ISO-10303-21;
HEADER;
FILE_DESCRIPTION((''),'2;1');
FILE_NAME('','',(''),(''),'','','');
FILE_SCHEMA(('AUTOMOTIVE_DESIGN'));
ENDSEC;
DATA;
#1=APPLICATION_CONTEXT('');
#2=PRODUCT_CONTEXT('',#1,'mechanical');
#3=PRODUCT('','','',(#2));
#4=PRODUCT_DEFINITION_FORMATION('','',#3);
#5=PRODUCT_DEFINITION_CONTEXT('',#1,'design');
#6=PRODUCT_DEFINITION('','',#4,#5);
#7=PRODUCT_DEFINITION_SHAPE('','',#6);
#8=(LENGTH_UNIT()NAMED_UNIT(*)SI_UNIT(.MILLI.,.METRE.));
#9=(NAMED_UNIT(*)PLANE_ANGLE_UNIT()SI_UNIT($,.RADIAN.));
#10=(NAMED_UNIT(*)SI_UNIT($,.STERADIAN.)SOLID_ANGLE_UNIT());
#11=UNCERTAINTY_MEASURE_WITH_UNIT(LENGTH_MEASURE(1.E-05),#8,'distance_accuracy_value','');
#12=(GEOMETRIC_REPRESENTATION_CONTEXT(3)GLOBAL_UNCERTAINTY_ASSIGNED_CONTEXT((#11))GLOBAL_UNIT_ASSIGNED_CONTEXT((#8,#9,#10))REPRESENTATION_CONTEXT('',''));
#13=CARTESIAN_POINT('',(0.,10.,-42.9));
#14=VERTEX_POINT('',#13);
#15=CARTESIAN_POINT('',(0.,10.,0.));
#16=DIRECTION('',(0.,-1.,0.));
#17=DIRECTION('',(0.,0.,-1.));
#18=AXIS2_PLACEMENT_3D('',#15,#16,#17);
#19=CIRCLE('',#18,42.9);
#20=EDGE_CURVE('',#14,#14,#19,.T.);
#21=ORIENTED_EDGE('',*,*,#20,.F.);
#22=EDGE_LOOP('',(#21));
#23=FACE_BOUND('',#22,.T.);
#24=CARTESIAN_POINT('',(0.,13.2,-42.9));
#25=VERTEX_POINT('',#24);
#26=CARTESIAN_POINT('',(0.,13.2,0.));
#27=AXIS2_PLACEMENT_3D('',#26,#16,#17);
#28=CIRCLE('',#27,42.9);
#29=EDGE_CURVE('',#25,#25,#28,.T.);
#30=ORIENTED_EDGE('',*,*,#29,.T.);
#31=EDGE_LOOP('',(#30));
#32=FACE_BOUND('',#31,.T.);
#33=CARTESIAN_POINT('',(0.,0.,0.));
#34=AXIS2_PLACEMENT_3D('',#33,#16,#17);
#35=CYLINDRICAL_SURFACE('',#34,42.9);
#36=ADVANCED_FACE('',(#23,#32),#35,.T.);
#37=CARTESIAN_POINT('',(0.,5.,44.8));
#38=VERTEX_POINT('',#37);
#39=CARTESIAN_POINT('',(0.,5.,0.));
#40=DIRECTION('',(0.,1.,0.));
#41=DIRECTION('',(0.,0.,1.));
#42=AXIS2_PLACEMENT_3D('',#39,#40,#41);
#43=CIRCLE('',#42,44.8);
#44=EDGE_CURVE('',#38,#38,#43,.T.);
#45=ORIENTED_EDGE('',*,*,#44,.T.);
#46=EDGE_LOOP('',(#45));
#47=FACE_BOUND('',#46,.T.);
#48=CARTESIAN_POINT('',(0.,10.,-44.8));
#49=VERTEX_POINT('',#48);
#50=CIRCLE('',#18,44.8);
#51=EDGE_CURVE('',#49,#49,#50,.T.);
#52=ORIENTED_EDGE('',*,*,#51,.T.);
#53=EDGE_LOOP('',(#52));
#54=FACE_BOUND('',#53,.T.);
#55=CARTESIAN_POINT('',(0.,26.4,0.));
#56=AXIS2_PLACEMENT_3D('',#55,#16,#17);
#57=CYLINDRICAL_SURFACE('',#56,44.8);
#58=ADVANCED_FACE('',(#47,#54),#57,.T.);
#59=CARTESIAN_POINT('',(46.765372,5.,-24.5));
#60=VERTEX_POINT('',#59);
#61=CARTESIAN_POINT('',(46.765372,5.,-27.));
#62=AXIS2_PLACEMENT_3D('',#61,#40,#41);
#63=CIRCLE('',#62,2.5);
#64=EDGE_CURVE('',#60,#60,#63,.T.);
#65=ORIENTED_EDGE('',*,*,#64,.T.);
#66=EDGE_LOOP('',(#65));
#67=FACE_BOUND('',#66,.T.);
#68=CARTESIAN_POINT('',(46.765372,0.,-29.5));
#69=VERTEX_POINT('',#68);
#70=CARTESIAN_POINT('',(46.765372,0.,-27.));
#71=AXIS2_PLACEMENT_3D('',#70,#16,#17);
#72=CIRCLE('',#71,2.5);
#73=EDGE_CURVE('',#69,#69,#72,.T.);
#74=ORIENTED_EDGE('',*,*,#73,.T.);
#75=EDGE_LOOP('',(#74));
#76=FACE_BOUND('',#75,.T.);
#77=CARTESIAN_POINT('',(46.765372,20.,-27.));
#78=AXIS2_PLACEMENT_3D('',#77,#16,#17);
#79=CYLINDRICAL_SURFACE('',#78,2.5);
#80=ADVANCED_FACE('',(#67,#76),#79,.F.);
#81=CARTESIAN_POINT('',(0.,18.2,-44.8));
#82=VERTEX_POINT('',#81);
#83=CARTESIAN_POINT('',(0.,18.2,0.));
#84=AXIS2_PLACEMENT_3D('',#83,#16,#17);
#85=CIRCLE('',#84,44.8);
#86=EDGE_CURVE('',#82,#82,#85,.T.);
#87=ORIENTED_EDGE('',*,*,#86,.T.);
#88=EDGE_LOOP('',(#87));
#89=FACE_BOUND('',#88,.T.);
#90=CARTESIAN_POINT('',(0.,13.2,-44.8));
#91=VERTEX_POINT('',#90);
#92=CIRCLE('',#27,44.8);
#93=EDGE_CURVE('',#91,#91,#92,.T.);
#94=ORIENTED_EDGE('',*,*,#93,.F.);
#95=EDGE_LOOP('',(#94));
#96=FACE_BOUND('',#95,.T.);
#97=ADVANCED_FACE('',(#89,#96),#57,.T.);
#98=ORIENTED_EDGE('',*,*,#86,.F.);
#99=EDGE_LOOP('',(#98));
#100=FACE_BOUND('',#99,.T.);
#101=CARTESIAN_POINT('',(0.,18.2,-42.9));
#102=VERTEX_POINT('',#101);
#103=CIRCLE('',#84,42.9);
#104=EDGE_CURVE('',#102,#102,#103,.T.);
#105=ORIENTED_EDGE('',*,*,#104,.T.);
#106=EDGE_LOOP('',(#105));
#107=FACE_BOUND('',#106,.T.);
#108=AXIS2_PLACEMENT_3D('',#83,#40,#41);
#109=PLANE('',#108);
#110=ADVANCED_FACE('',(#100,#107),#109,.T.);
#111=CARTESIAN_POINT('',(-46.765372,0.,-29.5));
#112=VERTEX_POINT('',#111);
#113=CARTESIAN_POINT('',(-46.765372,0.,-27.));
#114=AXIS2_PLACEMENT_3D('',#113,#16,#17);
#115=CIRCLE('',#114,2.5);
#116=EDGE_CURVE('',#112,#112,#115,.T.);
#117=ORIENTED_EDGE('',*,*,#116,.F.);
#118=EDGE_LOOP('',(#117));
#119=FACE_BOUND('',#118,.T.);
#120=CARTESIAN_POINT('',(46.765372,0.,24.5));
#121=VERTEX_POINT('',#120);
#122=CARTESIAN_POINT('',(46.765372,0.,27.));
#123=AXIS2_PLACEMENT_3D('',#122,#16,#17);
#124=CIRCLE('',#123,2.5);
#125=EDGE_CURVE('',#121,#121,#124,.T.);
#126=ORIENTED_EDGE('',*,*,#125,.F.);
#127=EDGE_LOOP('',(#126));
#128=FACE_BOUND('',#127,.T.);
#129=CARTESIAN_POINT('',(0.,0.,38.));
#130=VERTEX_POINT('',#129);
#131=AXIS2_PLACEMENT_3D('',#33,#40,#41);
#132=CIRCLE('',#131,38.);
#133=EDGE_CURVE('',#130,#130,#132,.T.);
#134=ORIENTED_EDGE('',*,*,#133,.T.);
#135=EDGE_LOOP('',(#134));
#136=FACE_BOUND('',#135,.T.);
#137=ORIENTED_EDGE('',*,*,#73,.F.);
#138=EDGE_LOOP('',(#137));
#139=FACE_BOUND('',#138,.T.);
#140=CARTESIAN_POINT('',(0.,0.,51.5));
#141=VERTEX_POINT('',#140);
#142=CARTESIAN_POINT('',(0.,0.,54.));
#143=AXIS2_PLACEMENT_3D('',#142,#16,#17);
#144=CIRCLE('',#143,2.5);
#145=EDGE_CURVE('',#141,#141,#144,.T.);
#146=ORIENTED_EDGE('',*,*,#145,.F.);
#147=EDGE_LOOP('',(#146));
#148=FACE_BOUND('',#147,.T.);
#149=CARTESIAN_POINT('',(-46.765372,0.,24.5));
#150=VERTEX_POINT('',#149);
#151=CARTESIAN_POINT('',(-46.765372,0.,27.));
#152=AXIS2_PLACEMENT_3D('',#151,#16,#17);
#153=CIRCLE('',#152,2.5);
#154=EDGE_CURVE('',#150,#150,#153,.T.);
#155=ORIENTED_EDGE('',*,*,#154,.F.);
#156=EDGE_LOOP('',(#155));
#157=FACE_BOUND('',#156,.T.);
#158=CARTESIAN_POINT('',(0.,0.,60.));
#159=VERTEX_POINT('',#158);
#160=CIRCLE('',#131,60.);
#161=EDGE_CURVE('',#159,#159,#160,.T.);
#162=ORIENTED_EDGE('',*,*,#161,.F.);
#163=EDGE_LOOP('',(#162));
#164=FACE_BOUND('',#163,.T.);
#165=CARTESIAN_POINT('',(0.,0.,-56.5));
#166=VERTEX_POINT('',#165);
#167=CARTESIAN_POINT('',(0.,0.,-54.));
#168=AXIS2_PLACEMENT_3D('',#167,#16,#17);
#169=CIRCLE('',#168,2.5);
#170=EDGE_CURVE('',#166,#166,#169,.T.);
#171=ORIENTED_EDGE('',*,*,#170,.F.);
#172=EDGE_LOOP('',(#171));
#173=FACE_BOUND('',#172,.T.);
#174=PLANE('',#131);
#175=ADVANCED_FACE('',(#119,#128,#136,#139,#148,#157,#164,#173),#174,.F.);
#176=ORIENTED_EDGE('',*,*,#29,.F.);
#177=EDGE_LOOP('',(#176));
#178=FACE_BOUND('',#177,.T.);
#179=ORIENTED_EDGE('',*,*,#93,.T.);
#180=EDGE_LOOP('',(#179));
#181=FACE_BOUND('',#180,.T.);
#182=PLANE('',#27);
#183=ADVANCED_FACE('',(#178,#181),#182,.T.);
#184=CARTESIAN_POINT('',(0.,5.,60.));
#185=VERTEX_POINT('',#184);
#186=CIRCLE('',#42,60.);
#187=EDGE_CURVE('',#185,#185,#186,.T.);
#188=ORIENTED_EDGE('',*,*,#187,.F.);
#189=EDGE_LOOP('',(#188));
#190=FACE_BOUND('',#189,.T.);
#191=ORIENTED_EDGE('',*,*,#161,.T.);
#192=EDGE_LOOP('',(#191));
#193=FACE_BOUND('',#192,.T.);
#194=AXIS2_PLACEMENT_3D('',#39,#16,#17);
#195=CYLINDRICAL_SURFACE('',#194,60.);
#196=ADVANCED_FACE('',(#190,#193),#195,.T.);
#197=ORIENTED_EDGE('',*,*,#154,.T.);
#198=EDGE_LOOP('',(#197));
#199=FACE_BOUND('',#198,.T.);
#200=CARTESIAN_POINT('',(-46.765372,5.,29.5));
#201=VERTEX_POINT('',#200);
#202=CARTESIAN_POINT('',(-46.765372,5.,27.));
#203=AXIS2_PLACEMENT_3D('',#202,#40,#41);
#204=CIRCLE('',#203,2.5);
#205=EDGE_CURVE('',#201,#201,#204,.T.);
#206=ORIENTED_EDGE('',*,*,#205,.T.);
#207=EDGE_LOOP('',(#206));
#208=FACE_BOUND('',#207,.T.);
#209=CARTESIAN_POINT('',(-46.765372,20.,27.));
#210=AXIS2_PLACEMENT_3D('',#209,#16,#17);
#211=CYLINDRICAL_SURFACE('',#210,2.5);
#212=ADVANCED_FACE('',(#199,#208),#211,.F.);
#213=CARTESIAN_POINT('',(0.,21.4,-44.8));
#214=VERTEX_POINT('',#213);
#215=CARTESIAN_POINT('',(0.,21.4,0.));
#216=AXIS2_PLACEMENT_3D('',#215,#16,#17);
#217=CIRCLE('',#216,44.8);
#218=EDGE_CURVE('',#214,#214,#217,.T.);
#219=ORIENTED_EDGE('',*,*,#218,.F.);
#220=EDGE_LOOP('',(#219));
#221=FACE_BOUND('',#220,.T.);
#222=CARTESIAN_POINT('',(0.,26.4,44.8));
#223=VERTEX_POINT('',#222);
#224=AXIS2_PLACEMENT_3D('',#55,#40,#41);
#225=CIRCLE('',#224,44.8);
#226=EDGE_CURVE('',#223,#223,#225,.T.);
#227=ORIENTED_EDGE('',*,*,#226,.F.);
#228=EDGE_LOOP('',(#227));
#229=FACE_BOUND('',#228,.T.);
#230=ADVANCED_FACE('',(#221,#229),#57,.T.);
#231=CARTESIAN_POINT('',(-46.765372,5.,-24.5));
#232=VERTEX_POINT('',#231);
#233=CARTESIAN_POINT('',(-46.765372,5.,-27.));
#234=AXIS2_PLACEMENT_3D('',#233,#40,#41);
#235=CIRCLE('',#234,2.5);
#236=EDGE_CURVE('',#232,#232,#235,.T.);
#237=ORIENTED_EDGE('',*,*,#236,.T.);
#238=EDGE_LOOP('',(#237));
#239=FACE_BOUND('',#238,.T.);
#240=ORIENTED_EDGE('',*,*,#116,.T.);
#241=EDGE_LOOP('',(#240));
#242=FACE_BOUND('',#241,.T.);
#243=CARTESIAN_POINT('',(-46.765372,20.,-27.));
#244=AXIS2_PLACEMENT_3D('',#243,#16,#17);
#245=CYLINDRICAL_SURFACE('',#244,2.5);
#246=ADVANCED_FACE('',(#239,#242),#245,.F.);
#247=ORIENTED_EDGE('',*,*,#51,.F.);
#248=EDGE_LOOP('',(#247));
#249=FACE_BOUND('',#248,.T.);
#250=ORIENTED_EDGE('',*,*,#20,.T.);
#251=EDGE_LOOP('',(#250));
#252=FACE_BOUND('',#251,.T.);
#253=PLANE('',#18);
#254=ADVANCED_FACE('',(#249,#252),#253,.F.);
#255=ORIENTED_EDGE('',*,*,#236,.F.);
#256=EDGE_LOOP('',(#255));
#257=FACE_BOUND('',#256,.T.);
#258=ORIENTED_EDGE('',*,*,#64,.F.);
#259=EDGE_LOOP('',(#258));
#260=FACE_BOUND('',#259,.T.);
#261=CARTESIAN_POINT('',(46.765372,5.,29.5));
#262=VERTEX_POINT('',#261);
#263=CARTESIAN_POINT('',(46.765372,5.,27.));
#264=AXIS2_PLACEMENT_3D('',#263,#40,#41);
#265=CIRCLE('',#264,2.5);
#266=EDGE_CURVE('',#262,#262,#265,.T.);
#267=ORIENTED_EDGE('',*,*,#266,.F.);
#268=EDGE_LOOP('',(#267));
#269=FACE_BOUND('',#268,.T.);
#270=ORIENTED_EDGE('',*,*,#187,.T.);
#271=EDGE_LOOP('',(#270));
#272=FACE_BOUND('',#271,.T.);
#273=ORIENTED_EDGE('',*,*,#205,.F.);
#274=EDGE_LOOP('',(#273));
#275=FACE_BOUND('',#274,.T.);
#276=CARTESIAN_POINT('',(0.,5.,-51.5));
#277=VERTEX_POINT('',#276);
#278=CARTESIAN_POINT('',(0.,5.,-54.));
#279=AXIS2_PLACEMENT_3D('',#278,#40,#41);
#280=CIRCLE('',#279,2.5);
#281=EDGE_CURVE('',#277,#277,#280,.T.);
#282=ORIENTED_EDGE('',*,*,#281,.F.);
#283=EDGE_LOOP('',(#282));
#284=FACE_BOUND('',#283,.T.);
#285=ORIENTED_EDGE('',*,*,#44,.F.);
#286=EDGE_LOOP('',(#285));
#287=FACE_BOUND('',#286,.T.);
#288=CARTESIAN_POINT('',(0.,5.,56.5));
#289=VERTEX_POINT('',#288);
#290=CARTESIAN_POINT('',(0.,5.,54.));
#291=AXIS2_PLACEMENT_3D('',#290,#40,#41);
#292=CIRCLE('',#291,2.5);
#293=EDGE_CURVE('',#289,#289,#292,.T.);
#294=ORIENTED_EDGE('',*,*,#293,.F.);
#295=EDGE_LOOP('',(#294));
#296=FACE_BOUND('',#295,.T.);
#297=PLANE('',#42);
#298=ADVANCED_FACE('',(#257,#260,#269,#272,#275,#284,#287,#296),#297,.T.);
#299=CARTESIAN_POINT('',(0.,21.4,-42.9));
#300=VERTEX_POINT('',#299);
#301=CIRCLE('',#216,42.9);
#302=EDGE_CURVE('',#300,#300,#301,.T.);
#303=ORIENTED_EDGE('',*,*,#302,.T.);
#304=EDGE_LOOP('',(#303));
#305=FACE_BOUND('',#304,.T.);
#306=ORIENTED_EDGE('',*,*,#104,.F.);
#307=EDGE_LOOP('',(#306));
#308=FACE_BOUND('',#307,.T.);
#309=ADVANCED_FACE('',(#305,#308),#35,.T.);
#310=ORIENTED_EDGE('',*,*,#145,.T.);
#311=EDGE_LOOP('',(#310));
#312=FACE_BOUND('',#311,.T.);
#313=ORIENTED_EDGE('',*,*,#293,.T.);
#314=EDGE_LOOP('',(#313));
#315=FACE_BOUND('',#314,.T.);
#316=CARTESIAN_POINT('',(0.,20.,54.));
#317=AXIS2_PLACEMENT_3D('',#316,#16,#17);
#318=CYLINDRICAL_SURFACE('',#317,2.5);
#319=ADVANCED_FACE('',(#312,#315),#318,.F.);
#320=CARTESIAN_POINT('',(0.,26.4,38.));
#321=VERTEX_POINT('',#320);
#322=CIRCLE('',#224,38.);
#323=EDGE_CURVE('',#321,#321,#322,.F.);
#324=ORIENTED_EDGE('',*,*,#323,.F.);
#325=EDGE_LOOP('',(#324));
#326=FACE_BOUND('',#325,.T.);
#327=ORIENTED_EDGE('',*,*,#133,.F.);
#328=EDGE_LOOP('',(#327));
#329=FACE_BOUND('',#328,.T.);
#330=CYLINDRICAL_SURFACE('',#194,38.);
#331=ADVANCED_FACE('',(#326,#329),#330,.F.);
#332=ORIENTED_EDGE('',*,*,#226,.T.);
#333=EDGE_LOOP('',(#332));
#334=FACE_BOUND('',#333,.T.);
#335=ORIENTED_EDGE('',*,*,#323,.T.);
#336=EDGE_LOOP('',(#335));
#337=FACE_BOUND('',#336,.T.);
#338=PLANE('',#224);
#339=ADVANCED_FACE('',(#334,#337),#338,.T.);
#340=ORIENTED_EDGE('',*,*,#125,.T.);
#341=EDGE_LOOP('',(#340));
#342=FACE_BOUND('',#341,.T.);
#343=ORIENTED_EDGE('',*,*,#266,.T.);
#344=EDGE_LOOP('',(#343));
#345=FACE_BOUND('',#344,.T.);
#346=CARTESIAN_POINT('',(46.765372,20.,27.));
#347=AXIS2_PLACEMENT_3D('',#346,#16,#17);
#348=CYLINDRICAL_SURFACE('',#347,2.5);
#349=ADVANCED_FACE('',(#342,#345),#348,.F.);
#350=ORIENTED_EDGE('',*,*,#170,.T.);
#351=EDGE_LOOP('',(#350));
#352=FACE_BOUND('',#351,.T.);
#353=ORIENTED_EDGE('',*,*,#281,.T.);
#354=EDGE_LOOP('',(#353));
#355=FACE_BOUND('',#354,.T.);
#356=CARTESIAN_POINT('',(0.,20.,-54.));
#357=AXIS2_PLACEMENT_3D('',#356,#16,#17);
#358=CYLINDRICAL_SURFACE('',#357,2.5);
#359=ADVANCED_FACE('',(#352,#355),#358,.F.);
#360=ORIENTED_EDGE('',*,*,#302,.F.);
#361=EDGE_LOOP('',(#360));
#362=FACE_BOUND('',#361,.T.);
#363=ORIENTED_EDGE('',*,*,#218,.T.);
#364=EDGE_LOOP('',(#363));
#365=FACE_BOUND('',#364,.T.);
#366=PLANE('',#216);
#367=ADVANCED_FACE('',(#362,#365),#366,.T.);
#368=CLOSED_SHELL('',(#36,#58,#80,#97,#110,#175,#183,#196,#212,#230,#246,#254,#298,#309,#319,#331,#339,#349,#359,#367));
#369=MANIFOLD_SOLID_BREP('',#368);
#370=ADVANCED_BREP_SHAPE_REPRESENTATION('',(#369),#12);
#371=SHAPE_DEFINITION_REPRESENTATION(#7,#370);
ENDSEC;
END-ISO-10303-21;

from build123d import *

# Parameters (mm, degrees)
SKETCH1_R           = 60
SKETCH1_R_2         = 38
BOSS_EXTRUDE1_DEPTH = 5
SKETCH2_R           = 44.8
SKETCH2_R_2         = 38
BOSS_EXTRUDE2_DEPTH = 21.4
SKETCH4_R           = 2.5
CUT_EXTRUDE1_DEPTH  = 20


with BuildPart() as part:
    # Sketch1 → Boss-Extrude1 (new body)
    with BuildSketch(Plane(origin=(0, 0, 0), x_dir=(1, 0, 0), z_dir=(0, 1, 0))):
        with Locations(Location((0, 0, 0), (0, 0, 270))):
            Circle(SKETCH1_R)
        with Locations(Location((0, 0, 0), (0, 0, 270))):
            Circle(SKETCH1_R_2, mode=Mode.SUBTRACT)
    extrude(amount=BOSS_EXTRUDE1_DEPTH)

    # Sketch2 → Boss-Extrude2 (add)
    with BuildSketch(Plane(origin=(0, 5, 0), x_dir=(1, 0, 0), z_dir=(0, 1, 0))):
        with Locations(Location((0, 0, 0), (0, 0, 270))):
            Circle(SKETCH2_R)
        with Locations(Location((0, 0, 0), (0, 0, 270))):
            Circle(SKETCH2_R_2, mode=Mode.SUBTRACT)
    extrude(amount=BOSS_EXTRUDE2_DEPTH)

    # Sketch3 → Cut-Revolve1 (revolve, cut)
    with BuildSketch(Plane(origin=(0, 0, 0), x_dir=(0, 0, -1), z_dir=(1, 0, 0)), mode=Mode.PRIVATE) as cut_revolve1_sk:
        Polygon((-45.972863263, 10), (-45.972863263, 18.2), (-45.972863263, 21.4), (-44.8, 21.4), (-42.9, 21.4), (-42.9, 18.2), (-44.8, 18.2), (-44.8, 13.2), (-42.9, 13.2), (-42.9, 10), (-44.8, 10), align=None)
    revolve(cut_revolve1_sk.sketch.rotate(Axis((0, 0, 0), (0, 1, 0)), 180), axis=Axis((0, 0, 0), (0, 1, 0)), mode=Mode.SUBTRACT)

    # Sketch4 → Cut-Extrude1 (cut)
    with BuildSketch(Plane.XZ):
        with Locations(Location((0, 54, 0), (0, 0, 270))):
            Circle(SKETCH4_R)
        with Locations(Location((46.765371804, 27, 0), (0, 0, 270))):
            Circle(SKETCH4_R)
        with Locations(Location((46.765371804, -27, 0), (0, 0, 270))):
            Circle(SKETCH4_R)
        with Locations(Location((0, -54, 0), (0, 0, 270))):
            Circle(SKETCH4_R)
        with Locations(Location((-46.765371804, -27, 0), (0, 0, 270))):
            Circle(SKETCH4_R)
        with Locations(Location((-46.765371804, 27, 0), (0, 0, 270))):
            Circle(SKETCH4_R)
    extrude(amount=-CUT_EXTRUDE1_DEPTH, mode=Mode.SUBTRACT)


solid = part.part
